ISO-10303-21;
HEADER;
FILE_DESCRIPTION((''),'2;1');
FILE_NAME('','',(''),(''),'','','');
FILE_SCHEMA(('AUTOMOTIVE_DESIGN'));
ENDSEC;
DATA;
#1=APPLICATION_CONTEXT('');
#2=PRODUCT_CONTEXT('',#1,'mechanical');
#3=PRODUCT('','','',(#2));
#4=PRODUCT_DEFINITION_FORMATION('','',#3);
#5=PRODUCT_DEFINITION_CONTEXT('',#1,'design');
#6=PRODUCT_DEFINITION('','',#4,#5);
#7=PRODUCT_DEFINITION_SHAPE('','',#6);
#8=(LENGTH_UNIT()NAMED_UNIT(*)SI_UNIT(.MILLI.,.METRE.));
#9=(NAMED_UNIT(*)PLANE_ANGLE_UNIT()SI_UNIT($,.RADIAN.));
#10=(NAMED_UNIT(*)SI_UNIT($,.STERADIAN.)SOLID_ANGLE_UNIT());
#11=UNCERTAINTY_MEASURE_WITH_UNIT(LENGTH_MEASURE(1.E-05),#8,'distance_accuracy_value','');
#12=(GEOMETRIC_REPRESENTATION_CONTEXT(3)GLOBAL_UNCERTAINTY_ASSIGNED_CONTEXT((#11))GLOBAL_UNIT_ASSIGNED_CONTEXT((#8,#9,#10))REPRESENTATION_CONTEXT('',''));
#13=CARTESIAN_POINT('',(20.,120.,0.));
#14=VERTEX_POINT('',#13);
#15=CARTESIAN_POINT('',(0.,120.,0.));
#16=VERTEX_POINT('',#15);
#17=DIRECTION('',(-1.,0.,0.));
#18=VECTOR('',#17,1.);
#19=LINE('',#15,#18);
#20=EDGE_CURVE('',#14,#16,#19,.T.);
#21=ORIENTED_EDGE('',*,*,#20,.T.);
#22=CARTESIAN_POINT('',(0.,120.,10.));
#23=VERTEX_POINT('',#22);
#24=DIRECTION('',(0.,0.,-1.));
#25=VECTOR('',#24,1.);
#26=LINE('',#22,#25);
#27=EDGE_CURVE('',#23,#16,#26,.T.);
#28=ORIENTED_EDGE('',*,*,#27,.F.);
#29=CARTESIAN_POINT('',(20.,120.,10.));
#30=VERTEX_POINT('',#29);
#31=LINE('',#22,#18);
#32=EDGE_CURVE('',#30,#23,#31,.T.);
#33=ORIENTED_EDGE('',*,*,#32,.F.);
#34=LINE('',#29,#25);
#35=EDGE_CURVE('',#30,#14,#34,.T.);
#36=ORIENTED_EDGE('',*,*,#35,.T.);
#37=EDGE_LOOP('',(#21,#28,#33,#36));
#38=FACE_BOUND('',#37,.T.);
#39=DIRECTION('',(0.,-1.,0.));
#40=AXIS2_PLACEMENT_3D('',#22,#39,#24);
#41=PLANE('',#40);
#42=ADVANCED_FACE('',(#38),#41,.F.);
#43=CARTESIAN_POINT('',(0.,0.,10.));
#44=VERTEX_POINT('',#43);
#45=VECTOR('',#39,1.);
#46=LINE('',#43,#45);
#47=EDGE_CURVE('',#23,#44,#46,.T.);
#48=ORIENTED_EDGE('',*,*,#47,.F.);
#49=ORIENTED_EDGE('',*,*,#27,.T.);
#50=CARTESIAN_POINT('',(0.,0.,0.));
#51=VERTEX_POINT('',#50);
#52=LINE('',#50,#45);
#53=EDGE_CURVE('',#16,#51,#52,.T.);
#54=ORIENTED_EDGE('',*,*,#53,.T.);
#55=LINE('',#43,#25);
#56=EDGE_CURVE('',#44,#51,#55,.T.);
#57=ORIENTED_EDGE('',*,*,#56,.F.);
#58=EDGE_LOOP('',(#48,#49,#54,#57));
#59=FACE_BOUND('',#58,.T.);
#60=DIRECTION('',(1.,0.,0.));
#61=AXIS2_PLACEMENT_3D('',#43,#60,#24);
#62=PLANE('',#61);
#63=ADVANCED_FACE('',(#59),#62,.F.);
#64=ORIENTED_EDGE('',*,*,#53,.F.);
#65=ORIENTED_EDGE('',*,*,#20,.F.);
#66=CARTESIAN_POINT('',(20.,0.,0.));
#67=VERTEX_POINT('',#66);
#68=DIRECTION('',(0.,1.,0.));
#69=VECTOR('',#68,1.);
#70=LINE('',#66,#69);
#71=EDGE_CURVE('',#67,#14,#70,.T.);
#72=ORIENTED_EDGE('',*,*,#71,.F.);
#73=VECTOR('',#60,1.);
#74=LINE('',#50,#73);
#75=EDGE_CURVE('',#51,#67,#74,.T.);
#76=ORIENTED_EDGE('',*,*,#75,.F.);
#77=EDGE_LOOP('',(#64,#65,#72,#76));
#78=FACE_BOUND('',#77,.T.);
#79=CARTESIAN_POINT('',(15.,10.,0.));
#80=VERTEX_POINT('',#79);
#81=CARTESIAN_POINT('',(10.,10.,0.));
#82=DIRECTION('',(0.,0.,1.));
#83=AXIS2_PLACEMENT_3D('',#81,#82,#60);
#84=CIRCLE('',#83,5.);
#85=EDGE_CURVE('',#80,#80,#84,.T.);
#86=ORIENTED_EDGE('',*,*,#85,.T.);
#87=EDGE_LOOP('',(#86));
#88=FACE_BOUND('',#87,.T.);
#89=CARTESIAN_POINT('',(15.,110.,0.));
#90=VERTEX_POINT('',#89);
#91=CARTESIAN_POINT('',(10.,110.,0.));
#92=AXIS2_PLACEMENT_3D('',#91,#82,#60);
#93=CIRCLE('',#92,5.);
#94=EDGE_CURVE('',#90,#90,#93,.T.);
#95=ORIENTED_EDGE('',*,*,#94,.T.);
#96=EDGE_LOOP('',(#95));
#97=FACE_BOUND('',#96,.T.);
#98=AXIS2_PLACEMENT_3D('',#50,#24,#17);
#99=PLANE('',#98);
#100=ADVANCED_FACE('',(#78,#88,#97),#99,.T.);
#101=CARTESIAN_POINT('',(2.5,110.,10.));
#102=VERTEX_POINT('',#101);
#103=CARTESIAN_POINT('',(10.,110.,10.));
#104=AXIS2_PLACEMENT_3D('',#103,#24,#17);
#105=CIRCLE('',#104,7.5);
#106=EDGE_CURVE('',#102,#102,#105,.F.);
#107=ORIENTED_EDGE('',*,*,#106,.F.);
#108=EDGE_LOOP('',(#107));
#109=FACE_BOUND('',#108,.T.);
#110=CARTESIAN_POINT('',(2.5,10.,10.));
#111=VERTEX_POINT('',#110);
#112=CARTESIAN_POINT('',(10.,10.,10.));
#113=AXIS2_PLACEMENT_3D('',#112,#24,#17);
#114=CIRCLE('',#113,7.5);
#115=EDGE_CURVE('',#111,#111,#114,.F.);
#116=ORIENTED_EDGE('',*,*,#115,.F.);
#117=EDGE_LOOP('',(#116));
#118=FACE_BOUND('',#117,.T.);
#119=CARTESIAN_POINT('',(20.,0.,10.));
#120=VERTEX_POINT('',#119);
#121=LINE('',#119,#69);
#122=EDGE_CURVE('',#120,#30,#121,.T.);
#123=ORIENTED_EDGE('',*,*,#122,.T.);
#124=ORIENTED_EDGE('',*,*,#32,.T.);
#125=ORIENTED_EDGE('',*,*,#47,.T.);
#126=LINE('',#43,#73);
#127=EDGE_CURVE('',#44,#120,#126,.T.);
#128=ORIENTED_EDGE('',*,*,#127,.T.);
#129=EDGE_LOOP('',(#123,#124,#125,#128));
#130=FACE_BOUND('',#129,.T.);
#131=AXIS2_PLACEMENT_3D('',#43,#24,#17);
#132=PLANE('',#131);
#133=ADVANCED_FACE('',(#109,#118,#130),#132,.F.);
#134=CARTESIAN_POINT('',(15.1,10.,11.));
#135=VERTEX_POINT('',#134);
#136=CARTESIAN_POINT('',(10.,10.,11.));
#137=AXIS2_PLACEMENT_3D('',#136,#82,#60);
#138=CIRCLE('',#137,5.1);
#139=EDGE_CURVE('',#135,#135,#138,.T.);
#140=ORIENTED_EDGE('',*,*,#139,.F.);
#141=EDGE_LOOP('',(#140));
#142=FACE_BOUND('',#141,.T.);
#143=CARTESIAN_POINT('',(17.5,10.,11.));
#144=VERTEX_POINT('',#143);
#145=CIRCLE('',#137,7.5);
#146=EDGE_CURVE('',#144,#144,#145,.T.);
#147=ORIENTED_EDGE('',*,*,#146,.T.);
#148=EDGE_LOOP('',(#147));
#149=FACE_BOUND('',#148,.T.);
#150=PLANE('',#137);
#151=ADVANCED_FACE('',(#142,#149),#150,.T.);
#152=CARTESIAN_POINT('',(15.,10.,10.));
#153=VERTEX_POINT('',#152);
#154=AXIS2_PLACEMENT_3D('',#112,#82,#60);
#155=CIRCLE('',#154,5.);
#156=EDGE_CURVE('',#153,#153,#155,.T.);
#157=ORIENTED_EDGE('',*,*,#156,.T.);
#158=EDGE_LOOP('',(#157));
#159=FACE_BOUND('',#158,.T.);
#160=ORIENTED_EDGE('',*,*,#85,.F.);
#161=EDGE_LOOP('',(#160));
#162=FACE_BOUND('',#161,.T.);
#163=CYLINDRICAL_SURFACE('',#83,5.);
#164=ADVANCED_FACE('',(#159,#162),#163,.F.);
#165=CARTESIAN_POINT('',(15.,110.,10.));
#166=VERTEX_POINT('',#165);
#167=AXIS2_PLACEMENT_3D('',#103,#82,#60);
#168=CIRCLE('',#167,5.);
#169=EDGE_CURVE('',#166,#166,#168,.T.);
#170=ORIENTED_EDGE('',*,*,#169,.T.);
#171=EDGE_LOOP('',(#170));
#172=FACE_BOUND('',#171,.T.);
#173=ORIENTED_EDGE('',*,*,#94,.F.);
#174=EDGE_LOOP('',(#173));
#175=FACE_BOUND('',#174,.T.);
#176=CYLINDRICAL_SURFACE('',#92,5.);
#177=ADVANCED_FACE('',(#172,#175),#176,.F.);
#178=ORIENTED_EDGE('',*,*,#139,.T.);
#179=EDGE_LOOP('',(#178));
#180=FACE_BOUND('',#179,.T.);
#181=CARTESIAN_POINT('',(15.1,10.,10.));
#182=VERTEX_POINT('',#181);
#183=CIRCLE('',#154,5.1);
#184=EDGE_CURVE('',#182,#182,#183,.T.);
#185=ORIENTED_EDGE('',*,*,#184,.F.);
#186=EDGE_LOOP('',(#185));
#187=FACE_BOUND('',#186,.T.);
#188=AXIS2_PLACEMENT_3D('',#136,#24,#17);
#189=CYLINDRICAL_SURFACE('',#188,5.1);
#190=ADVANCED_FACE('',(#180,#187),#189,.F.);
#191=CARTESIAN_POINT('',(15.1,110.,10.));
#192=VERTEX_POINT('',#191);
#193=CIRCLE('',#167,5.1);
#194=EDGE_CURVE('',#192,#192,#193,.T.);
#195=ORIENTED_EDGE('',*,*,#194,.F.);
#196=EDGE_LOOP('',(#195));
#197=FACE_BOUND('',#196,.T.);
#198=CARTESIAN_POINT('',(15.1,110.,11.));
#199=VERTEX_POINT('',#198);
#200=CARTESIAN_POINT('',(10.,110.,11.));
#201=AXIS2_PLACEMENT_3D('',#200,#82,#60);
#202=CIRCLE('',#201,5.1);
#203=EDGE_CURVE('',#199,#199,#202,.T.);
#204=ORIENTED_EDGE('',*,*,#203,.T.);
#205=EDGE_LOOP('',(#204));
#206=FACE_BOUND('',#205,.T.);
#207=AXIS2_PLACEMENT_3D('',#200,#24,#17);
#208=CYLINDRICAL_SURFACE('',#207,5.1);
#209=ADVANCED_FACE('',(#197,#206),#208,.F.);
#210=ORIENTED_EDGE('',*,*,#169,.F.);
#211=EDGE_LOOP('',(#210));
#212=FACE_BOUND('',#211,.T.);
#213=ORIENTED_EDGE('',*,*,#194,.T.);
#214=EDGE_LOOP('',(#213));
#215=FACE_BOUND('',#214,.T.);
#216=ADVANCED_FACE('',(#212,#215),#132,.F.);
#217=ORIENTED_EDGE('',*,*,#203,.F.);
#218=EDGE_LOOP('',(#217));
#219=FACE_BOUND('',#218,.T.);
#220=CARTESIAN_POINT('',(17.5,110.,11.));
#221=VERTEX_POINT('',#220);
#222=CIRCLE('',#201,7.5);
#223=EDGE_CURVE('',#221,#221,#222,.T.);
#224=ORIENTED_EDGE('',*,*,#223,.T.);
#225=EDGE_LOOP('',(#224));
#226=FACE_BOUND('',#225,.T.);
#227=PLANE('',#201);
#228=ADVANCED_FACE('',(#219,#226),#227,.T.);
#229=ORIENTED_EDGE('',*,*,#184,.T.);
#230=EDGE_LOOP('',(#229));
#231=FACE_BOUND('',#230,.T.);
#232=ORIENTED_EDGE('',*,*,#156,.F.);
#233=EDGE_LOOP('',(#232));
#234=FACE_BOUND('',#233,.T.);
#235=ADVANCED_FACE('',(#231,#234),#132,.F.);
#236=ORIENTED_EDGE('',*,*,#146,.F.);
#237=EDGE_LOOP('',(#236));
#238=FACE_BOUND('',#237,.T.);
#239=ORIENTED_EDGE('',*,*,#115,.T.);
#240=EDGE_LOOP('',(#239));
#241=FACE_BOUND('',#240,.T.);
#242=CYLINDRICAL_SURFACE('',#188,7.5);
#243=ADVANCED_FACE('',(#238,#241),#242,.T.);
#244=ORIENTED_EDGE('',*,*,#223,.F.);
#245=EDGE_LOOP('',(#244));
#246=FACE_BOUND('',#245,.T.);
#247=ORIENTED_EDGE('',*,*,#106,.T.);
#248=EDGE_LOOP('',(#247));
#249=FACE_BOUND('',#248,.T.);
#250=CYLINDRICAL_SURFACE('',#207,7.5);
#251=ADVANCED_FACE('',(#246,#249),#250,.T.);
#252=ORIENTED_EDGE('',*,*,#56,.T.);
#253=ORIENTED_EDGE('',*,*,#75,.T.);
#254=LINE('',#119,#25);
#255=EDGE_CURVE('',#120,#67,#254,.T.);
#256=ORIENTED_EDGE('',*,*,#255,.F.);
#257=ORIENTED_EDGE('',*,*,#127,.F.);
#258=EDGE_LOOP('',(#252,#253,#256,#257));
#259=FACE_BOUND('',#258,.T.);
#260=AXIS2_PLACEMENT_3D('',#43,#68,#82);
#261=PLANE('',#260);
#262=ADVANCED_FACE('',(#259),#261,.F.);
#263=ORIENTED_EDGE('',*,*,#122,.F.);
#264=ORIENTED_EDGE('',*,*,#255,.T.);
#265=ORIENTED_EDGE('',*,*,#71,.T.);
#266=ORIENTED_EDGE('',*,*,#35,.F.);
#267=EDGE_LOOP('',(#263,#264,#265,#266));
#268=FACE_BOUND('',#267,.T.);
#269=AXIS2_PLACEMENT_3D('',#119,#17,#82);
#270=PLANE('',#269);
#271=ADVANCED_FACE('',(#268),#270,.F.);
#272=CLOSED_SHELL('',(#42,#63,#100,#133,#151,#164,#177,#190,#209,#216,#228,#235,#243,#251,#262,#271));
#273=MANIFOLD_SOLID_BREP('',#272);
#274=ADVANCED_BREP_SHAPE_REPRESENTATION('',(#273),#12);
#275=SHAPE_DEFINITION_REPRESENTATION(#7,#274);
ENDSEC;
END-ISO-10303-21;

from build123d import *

# Parameters (mm, degrees)
SKIZZE1_W                       = 20
SKIZZE1_H                       = 120
AUFSATZ_LINEAR_AUSTRAGEN1_DEPTH = 10
SKIZZE2_R                       = 7.5
SKIZZE2_R_2                     = 5.1
AUFSATZ_LINEAR_AUSTRAGEN3_DEPTH = 1
SKIZZE5_R                       = 5
SCHNITT_LINEAR_AUSTRAGEN1_DEPTH = 10


with BuildPart() as part:
    # Skizze1 → Aufsatz-Linear austragen1 (new body)
    with BuildSketch(Plane.XY):
        with Locations((10, 60)):
            Rectangle(SKIZZE1_W, SKIZZE1_H)
    extrude(amount=AUFSATZ_LINEAR_AUSTRAGEN1_DEPTH)

    # Skizze2 → Aufsatz-Linear austragen3 (add)
    # profile 1 of 2: a face of its own
    with BuildSketch(Plane.XY.offset(10)):
        with Locations(Location((10, 110, 0), (0, 0, 180))):
            Circle(SKIZZE2_R)
        with Locations((10, 110)):
            Circle(SKIZZE2_R_2, mode=Mode.SUBTRACT)
    # profile 2 of 2: a face of its own
    with BuildSketch(Plane.XY.offset(10)):
        with Locations(Location((10, 10, 0), (0, 0, 180))):
            Circle(SKIZZE2_R)
        with Locations((10, 10)):
            Circle(SKIZZE2_R_2, mode=Mode.SUBTRACT)
    extrude(amount=AUFSATZ_LINEAR_AUSTRAGEN3_DEPTH)

    # Skizze5 → Schnitt-Linear austragen1 (cut)
    with BuildSketch(Plane.XY.offset(10)):
        with Locations((10, 110)):
            Circle(SKIZZE5_R)
        with Locations((10, 10)):
            Circle(SKIZZE5_R)
    extrude(amount=-SCHNITT_LINEAR_AUSTRAGEN1_DEPTH, mode=Mode.SUBTRACT)


solid = part.part
